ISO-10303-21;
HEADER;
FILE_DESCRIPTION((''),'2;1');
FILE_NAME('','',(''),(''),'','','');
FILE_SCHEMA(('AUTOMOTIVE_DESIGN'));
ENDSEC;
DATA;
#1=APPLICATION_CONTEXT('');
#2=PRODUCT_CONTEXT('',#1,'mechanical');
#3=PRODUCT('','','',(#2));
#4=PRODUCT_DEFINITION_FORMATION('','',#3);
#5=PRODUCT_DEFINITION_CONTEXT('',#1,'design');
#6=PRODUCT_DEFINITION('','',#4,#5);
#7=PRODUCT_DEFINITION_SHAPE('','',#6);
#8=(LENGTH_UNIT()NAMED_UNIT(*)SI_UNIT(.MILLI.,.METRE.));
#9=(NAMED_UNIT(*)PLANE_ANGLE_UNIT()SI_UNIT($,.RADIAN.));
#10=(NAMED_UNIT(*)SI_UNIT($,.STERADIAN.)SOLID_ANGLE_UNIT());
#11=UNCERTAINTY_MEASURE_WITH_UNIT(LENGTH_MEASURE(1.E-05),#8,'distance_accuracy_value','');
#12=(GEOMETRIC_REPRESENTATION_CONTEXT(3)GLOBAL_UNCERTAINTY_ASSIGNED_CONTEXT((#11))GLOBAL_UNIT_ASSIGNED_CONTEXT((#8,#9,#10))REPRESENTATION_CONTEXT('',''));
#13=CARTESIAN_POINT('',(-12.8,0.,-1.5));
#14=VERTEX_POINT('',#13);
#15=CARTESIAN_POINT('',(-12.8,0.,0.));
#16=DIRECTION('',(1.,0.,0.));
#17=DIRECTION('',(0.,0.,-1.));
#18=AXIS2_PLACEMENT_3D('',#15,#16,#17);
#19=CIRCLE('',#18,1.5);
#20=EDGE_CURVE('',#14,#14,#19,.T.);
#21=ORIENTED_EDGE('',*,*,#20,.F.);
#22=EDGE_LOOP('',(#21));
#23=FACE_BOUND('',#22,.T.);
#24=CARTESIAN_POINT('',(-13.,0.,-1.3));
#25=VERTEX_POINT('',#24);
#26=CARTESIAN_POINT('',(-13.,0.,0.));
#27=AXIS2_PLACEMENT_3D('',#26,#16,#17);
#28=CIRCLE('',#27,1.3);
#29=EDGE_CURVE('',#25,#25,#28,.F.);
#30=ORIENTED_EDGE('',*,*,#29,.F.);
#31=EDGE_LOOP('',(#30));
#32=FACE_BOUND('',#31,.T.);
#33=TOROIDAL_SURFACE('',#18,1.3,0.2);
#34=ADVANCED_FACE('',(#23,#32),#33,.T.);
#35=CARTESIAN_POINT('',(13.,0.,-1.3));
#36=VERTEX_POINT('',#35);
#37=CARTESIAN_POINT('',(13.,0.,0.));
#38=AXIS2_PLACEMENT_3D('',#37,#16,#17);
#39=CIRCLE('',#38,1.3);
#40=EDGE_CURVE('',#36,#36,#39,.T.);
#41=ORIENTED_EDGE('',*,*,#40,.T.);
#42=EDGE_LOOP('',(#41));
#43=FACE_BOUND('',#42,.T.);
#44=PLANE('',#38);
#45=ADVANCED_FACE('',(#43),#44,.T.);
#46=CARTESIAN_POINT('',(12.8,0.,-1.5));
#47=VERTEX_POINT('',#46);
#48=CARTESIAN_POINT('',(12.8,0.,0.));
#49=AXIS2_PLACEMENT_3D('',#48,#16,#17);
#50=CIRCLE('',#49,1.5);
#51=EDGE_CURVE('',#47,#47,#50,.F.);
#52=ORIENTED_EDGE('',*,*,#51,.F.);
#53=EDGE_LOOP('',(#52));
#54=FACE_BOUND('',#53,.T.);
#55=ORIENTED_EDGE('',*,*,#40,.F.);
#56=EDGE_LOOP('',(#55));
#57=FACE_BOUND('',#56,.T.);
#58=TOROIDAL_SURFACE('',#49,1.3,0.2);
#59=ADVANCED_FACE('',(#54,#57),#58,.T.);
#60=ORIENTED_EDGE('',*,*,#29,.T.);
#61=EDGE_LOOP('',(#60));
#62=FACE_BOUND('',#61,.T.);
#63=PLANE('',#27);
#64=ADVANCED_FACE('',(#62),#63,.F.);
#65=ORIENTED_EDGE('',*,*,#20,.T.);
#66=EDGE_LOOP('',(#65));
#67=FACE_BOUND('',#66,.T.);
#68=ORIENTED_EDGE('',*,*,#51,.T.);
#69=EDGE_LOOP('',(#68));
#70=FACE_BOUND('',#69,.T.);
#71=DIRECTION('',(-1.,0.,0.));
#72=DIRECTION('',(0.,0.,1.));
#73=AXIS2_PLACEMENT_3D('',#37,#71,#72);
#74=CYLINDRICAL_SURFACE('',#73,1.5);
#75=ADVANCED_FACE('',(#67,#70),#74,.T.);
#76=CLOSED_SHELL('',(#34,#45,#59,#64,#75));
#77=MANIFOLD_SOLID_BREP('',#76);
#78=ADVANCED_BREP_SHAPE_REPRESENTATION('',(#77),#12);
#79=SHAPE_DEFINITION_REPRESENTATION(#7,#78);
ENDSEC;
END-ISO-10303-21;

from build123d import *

# Parameters (mm, degrees)
SKETCH1_R           = 1.5
BOSS_EXTRUDE1_DEPTH = 13
FILLET1_R           = 0.2


with BuildPart() as part:
    # Sketch1 → Boss-Extrude1 (new body, symmetric)
    with BuildSketch(Plane(origin=(0, 0, 0), x_dir=(0, 0, -1), z_dir=(1, 0, 0))):
        Circle(SKETCH1_R)
    extrude(amount=BOSS_EXTRUDE1_DEPTH, both=True)

    # Fillet1
    fillet1_edges = [part.edges().sort_by_distance(p)[0] for p in [
        (-13, 0, 1.5),
        (13, 0, 1.5),
    ]]
    fillet(fillet1_edges, radius=FILLET1_R)


solid = part.part
